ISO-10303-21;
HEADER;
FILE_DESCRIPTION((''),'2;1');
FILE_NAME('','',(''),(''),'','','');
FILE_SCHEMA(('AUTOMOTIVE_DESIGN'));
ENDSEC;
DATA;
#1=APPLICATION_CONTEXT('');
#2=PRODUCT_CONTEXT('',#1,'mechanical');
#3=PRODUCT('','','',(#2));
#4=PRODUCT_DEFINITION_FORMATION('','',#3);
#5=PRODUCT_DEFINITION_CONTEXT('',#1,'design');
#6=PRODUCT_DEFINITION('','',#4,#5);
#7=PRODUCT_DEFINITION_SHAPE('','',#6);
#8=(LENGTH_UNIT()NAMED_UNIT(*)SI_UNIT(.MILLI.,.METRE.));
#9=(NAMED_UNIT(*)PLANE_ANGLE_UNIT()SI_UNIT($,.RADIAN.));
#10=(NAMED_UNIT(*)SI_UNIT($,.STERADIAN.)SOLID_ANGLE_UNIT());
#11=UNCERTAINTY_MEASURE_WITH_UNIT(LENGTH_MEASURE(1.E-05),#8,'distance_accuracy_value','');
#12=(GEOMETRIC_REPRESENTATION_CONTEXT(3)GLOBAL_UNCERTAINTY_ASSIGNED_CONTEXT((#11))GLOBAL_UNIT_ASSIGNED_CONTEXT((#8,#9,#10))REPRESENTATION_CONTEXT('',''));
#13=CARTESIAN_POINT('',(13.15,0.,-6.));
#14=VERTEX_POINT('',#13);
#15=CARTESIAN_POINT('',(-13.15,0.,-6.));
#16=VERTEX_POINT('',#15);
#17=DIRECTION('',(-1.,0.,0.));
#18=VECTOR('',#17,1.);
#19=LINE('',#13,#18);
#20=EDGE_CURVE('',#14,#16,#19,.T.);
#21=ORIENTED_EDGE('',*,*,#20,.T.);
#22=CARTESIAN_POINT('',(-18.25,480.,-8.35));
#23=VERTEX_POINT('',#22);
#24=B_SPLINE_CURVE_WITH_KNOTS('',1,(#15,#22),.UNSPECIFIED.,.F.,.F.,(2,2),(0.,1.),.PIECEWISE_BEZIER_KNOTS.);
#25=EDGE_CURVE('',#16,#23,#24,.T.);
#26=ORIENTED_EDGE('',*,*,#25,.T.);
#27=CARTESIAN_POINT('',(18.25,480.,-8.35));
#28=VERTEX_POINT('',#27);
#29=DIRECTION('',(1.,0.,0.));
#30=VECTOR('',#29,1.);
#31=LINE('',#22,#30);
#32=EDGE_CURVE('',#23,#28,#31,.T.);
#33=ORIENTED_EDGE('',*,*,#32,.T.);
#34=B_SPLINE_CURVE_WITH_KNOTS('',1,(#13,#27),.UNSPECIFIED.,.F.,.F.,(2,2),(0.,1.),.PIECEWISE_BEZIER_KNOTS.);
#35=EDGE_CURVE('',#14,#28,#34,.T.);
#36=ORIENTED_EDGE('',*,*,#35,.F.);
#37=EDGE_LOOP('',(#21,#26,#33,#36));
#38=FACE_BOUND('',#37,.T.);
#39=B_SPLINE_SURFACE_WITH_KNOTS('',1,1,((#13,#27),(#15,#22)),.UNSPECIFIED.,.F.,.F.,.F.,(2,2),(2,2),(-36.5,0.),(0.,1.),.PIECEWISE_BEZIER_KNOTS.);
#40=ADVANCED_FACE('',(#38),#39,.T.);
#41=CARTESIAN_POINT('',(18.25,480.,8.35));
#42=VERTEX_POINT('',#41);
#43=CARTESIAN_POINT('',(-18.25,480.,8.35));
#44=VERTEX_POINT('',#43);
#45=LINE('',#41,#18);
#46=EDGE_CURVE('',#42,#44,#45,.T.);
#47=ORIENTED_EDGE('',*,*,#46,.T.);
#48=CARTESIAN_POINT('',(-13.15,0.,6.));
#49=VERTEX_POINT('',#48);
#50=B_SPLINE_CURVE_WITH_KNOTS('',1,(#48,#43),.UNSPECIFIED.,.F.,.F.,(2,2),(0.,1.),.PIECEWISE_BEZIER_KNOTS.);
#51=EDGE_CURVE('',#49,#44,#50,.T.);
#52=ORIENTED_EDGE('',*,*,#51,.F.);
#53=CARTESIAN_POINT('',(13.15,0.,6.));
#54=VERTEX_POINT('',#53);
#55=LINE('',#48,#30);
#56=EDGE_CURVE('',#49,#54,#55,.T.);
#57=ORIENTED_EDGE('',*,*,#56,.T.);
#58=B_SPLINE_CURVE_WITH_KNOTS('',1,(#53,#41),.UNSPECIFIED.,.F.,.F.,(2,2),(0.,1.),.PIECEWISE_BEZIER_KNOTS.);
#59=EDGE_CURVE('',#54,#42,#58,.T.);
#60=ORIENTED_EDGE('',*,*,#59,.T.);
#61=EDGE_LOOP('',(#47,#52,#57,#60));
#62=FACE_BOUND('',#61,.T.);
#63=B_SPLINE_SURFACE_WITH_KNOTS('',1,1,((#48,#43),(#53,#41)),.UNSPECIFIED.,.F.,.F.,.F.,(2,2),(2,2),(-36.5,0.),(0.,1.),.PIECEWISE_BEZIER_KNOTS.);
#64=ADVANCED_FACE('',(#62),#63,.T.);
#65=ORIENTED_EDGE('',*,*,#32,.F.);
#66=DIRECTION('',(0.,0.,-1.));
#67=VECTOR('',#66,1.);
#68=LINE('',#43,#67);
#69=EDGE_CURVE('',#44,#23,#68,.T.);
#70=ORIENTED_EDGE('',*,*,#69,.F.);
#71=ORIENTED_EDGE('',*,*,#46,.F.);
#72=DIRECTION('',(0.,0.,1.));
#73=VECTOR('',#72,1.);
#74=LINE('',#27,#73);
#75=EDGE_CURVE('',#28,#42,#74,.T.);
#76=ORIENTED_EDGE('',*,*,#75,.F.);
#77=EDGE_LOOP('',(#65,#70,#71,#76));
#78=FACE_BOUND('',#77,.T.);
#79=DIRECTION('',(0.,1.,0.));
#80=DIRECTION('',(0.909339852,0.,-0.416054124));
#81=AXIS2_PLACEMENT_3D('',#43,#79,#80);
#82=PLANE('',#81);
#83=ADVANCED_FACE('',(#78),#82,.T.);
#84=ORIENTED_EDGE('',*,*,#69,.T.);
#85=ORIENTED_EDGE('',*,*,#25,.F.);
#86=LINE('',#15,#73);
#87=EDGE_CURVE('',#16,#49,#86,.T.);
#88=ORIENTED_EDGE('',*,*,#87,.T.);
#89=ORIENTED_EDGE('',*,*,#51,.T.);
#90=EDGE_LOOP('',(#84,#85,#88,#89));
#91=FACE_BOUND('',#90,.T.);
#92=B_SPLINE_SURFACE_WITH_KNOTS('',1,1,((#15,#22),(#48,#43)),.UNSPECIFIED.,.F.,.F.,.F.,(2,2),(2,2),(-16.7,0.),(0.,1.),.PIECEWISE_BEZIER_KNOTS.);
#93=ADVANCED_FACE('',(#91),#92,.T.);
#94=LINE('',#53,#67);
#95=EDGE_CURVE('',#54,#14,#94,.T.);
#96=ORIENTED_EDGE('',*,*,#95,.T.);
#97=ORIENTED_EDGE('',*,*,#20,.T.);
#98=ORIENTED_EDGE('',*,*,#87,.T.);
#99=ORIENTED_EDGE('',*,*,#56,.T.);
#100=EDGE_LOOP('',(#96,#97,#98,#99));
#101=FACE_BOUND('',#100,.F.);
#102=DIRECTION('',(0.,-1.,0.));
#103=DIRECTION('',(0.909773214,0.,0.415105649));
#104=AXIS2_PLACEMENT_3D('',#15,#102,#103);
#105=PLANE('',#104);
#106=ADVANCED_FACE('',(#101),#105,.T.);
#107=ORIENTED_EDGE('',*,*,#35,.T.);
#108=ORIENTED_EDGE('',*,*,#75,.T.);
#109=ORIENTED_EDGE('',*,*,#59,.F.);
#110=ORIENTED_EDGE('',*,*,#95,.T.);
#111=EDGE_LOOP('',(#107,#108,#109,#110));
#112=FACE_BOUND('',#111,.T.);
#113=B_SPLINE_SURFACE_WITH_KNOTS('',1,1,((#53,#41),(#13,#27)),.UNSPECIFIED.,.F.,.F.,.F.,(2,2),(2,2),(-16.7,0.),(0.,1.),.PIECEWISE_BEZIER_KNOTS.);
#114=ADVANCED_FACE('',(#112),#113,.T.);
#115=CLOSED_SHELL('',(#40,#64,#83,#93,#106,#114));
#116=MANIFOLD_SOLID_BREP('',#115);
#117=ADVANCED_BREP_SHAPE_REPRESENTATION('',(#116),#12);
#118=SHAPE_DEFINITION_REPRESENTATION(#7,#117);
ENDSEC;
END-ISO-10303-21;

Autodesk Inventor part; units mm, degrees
ref_plane "YZ Plane" through (0, 0, 0) normal (1, 0, 0) x (0, 1, 0)
ref_plane "XY Plane" through (0, 0, 0) normal (0, 0, 1) x (1, 0, 0)
sketch "Sketch1" plane through (0, 0, 0) normal (0, 1, 0) x (-1, 0, 0)
  line L0 (13.15, 6) -> (-13.15, 6)
  line L1 (-13.15, 6) -> (-13.15, -6)
  line L2 (-13.15, -6) -> (13.15, -6)
  line L3 (13.15, -6) -> (13.15, 6)
  line L4 (13.15, 6) -> (-13.15, -6) construction
  line L5 (-13.15, 6) -> (13.15, -6) construction
  point P0 (0, 0)
  dimension "d0" = 26.3
  dimension "d1" = 12
ref_plane "Work Plane1" through (0, 480, 0) normal (0, 1, 0) x (-1, 0, 0)
sketch "Sketch2" plane through (0, 480, 0) normal (0, 1, 0) x (-1, 0, 0)
  line L0 (-18.25, 8.35) -> (18.25, 8.35)
  line L1 (18.25, 8.35) -> (18.25, -8.35)
  line L2 (18.25, -8.35) -> (-18.25, -8.35)
  line L3 (-18.25, -8.35) -> (-18.25, 8.35)
  line L4 (-18.25, 8.35) -> (18.25, -8.35) construction
  line L5 (18.25, 8.35) -> (-18.25, -8.35) construction
  point P0 (0, 0)
  dimension "d3" = 36.5
  dimension "d4" = 16.7
loft "Loft1" add profiles "Sketch1", "Sketch2"
properties part number "molecularBeam"
